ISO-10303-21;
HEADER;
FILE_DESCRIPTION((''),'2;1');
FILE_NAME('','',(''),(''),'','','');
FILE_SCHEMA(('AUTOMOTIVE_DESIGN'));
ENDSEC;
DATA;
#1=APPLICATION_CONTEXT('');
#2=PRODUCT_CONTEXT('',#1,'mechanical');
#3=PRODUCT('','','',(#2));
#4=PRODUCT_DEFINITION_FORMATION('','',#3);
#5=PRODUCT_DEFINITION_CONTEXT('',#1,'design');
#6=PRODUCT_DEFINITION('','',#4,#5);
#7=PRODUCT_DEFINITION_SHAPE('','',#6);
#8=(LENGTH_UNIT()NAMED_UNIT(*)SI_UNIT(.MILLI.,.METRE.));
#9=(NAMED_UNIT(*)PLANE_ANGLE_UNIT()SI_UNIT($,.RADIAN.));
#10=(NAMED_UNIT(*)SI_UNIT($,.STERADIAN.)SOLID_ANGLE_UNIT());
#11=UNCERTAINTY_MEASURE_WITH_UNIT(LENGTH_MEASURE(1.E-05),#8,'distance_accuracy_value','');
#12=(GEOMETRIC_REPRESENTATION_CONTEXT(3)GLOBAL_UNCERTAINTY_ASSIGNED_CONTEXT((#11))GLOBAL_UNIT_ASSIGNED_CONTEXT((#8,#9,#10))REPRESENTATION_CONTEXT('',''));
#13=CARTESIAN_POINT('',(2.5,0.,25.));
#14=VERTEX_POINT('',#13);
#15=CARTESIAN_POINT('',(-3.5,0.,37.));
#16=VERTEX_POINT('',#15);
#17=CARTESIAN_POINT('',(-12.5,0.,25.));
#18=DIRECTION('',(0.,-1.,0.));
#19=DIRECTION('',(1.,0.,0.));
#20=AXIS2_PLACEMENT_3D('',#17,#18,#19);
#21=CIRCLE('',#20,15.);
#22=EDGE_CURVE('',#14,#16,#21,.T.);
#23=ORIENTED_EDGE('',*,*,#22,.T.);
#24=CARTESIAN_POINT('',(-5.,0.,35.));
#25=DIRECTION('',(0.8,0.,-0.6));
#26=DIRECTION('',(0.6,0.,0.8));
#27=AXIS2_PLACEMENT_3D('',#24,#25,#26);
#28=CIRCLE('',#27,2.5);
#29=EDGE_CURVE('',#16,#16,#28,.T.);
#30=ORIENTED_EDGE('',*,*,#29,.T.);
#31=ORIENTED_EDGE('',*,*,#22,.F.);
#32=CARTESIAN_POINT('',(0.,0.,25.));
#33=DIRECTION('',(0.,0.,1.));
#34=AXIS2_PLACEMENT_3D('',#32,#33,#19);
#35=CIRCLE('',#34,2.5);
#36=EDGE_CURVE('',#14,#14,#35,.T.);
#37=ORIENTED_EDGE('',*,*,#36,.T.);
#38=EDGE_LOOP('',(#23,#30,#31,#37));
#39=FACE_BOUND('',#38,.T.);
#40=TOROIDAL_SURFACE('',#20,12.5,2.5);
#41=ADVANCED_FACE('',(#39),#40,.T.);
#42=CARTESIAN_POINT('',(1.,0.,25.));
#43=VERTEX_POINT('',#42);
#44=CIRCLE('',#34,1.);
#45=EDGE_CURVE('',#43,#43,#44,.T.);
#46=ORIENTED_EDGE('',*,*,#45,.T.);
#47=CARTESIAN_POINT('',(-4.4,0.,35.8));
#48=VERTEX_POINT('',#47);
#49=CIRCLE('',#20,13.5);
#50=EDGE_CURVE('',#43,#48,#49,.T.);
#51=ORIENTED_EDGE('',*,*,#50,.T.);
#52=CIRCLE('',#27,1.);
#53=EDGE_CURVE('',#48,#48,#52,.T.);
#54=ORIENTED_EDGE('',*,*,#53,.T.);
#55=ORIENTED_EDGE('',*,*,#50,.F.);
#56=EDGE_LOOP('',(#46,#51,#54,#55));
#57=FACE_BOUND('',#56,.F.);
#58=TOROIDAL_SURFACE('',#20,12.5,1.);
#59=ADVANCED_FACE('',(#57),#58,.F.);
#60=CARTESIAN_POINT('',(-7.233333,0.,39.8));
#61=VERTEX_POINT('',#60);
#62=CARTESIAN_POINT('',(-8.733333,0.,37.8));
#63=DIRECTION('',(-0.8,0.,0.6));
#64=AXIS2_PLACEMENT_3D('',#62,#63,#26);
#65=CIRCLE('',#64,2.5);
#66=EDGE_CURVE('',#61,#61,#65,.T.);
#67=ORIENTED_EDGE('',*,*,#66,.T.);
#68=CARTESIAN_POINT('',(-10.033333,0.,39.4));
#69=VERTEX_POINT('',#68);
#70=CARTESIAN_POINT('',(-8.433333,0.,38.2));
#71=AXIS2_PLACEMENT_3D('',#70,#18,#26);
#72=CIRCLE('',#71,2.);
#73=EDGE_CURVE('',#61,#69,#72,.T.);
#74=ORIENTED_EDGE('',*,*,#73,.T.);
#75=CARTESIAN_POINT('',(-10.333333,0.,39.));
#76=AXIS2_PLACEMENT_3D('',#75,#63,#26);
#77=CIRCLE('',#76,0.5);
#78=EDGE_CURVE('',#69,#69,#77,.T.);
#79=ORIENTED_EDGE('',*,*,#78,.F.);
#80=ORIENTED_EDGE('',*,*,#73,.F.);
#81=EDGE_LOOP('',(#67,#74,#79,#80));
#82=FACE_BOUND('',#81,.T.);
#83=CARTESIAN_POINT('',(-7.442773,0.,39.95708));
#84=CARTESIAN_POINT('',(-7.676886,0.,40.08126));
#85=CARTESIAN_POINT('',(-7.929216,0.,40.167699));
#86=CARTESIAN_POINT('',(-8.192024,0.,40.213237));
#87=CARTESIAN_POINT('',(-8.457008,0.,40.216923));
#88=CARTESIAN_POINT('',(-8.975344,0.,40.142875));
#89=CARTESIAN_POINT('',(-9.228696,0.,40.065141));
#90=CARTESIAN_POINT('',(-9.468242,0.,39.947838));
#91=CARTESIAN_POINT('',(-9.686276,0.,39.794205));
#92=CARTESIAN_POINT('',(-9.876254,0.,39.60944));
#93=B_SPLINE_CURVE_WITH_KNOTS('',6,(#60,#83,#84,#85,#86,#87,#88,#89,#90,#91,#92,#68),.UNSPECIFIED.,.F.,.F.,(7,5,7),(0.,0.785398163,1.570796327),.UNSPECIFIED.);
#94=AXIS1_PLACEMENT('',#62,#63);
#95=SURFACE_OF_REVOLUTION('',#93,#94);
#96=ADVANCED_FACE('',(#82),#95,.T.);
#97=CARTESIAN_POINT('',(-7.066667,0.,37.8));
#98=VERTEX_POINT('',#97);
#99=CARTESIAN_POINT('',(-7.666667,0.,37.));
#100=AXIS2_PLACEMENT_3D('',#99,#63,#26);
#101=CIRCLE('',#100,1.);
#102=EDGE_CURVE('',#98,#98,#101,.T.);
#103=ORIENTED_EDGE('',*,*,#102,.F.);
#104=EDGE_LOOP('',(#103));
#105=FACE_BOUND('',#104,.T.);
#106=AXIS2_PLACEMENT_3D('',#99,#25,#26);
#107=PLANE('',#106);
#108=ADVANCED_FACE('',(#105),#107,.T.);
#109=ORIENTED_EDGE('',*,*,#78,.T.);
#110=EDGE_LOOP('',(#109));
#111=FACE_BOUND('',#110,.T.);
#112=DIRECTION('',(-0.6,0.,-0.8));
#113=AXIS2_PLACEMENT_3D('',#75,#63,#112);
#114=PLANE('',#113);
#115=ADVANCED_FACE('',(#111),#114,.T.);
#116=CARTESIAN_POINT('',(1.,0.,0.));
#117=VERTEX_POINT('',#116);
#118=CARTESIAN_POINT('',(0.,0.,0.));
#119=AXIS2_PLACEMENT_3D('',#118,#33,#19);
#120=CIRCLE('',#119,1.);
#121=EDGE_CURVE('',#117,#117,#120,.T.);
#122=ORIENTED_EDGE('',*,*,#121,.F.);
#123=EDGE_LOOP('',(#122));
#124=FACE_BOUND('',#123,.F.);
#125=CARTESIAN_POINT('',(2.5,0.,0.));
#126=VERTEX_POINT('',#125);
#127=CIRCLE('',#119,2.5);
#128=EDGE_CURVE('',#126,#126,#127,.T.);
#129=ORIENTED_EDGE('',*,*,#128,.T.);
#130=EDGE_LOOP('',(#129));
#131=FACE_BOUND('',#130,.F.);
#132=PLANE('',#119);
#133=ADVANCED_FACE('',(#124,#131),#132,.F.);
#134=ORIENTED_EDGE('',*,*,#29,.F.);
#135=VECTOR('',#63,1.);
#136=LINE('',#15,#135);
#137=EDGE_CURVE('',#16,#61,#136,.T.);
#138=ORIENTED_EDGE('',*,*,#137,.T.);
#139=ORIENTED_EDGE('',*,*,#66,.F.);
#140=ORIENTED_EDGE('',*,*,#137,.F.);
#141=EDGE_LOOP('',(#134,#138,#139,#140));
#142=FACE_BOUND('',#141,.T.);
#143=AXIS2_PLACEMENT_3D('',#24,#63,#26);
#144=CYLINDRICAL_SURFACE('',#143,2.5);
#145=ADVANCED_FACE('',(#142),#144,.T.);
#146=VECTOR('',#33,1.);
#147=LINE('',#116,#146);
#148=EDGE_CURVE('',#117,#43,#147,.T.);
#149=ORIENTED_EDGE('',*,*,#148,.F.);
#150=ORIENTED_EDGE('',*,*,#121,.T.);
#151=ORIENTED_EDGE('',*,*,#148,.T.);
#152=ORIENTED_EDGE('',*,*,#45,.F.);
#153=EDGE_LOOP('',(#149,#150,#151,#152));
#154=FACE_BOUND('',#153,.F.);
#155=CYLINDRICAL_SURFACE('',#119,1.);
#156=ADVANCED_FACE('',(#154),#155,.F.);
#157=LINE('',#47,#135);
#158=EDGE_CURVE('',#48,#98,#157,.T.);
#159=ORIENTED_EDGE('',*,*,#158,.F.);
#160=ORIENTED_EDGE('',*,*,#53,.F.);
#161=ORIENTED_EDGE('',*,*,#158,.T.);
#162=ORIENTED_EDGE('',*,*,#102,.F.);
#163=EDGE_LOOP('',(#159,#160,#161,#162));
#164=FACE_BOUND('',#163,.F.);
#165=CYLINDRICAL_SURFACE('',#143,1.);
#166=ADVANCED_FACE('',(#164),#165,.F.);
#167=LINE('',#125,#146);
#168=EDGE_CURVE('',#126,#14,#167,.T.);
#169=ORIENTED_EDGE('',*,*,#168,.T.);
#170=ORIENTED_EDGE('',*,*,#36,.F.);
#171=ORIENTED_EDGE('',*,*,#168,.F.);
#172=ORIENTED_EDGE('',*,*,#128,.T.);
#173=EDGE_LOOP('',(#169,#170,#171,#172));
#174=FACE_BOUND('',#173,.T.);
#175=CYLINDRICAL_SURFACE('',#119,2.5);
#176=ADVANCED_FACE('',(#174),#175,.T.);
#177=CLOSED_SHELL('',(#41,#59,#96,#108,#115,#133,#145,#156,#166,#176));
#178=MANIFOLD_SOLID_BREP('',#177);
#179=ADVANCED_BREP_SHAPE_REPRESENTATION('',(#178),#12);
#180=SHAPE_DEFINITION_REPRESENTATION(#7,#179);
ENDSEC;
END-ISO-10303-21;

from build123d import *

# Parameters (mm, degrees)
F1_R = 2.5
F3_R = 2
F5_R = 1


with BuildPart() as f2:
    # F2: sweep along a path in F0
    with BuildLine(Plane.XZ) as f2_path:
        Line((0, 0), (0, 25))
        ThreePointArc((0, 25), (-1.3196601125, 30.5901699437), (-5, 35))
        Line((-5, 35), (-10.3333333333, 39))
    # F1 (on Top) → F2 (sweep)
    with BuildSketch(Plane.XY):
        Circle(F1_R)
    sweep(path=f2_path.line)

    # F3
    f3_edges = [f2.edges().sort_by_distance(p)[0] for p in [
        (-11.833333, 0, 37),
    ]]
    fillet(f3_edges, radius=F3_R)

    # F6: sweep along a path in F4
    with BuildLine(Plane.XZ) as f6_path:
        Line((0, 0), (0, 25))
        ThreePointArc((0, 25), (-1.3196601125, 30.5901699437), (-5, 35))
        Line((-5, 35), (-7.6666666667, 37))
    # F5 (on face) → F6 (sweep, cut)
    with BuildSketch(Plane(origin=(0, 0, 0), x_dir=(1, 0, 0), z_dir=(0, 0, -1))):
        Circle(F5_R)
    sweep(path=f6_path.line, mode=Mode.SUBTRACT)


solid = f2.part
